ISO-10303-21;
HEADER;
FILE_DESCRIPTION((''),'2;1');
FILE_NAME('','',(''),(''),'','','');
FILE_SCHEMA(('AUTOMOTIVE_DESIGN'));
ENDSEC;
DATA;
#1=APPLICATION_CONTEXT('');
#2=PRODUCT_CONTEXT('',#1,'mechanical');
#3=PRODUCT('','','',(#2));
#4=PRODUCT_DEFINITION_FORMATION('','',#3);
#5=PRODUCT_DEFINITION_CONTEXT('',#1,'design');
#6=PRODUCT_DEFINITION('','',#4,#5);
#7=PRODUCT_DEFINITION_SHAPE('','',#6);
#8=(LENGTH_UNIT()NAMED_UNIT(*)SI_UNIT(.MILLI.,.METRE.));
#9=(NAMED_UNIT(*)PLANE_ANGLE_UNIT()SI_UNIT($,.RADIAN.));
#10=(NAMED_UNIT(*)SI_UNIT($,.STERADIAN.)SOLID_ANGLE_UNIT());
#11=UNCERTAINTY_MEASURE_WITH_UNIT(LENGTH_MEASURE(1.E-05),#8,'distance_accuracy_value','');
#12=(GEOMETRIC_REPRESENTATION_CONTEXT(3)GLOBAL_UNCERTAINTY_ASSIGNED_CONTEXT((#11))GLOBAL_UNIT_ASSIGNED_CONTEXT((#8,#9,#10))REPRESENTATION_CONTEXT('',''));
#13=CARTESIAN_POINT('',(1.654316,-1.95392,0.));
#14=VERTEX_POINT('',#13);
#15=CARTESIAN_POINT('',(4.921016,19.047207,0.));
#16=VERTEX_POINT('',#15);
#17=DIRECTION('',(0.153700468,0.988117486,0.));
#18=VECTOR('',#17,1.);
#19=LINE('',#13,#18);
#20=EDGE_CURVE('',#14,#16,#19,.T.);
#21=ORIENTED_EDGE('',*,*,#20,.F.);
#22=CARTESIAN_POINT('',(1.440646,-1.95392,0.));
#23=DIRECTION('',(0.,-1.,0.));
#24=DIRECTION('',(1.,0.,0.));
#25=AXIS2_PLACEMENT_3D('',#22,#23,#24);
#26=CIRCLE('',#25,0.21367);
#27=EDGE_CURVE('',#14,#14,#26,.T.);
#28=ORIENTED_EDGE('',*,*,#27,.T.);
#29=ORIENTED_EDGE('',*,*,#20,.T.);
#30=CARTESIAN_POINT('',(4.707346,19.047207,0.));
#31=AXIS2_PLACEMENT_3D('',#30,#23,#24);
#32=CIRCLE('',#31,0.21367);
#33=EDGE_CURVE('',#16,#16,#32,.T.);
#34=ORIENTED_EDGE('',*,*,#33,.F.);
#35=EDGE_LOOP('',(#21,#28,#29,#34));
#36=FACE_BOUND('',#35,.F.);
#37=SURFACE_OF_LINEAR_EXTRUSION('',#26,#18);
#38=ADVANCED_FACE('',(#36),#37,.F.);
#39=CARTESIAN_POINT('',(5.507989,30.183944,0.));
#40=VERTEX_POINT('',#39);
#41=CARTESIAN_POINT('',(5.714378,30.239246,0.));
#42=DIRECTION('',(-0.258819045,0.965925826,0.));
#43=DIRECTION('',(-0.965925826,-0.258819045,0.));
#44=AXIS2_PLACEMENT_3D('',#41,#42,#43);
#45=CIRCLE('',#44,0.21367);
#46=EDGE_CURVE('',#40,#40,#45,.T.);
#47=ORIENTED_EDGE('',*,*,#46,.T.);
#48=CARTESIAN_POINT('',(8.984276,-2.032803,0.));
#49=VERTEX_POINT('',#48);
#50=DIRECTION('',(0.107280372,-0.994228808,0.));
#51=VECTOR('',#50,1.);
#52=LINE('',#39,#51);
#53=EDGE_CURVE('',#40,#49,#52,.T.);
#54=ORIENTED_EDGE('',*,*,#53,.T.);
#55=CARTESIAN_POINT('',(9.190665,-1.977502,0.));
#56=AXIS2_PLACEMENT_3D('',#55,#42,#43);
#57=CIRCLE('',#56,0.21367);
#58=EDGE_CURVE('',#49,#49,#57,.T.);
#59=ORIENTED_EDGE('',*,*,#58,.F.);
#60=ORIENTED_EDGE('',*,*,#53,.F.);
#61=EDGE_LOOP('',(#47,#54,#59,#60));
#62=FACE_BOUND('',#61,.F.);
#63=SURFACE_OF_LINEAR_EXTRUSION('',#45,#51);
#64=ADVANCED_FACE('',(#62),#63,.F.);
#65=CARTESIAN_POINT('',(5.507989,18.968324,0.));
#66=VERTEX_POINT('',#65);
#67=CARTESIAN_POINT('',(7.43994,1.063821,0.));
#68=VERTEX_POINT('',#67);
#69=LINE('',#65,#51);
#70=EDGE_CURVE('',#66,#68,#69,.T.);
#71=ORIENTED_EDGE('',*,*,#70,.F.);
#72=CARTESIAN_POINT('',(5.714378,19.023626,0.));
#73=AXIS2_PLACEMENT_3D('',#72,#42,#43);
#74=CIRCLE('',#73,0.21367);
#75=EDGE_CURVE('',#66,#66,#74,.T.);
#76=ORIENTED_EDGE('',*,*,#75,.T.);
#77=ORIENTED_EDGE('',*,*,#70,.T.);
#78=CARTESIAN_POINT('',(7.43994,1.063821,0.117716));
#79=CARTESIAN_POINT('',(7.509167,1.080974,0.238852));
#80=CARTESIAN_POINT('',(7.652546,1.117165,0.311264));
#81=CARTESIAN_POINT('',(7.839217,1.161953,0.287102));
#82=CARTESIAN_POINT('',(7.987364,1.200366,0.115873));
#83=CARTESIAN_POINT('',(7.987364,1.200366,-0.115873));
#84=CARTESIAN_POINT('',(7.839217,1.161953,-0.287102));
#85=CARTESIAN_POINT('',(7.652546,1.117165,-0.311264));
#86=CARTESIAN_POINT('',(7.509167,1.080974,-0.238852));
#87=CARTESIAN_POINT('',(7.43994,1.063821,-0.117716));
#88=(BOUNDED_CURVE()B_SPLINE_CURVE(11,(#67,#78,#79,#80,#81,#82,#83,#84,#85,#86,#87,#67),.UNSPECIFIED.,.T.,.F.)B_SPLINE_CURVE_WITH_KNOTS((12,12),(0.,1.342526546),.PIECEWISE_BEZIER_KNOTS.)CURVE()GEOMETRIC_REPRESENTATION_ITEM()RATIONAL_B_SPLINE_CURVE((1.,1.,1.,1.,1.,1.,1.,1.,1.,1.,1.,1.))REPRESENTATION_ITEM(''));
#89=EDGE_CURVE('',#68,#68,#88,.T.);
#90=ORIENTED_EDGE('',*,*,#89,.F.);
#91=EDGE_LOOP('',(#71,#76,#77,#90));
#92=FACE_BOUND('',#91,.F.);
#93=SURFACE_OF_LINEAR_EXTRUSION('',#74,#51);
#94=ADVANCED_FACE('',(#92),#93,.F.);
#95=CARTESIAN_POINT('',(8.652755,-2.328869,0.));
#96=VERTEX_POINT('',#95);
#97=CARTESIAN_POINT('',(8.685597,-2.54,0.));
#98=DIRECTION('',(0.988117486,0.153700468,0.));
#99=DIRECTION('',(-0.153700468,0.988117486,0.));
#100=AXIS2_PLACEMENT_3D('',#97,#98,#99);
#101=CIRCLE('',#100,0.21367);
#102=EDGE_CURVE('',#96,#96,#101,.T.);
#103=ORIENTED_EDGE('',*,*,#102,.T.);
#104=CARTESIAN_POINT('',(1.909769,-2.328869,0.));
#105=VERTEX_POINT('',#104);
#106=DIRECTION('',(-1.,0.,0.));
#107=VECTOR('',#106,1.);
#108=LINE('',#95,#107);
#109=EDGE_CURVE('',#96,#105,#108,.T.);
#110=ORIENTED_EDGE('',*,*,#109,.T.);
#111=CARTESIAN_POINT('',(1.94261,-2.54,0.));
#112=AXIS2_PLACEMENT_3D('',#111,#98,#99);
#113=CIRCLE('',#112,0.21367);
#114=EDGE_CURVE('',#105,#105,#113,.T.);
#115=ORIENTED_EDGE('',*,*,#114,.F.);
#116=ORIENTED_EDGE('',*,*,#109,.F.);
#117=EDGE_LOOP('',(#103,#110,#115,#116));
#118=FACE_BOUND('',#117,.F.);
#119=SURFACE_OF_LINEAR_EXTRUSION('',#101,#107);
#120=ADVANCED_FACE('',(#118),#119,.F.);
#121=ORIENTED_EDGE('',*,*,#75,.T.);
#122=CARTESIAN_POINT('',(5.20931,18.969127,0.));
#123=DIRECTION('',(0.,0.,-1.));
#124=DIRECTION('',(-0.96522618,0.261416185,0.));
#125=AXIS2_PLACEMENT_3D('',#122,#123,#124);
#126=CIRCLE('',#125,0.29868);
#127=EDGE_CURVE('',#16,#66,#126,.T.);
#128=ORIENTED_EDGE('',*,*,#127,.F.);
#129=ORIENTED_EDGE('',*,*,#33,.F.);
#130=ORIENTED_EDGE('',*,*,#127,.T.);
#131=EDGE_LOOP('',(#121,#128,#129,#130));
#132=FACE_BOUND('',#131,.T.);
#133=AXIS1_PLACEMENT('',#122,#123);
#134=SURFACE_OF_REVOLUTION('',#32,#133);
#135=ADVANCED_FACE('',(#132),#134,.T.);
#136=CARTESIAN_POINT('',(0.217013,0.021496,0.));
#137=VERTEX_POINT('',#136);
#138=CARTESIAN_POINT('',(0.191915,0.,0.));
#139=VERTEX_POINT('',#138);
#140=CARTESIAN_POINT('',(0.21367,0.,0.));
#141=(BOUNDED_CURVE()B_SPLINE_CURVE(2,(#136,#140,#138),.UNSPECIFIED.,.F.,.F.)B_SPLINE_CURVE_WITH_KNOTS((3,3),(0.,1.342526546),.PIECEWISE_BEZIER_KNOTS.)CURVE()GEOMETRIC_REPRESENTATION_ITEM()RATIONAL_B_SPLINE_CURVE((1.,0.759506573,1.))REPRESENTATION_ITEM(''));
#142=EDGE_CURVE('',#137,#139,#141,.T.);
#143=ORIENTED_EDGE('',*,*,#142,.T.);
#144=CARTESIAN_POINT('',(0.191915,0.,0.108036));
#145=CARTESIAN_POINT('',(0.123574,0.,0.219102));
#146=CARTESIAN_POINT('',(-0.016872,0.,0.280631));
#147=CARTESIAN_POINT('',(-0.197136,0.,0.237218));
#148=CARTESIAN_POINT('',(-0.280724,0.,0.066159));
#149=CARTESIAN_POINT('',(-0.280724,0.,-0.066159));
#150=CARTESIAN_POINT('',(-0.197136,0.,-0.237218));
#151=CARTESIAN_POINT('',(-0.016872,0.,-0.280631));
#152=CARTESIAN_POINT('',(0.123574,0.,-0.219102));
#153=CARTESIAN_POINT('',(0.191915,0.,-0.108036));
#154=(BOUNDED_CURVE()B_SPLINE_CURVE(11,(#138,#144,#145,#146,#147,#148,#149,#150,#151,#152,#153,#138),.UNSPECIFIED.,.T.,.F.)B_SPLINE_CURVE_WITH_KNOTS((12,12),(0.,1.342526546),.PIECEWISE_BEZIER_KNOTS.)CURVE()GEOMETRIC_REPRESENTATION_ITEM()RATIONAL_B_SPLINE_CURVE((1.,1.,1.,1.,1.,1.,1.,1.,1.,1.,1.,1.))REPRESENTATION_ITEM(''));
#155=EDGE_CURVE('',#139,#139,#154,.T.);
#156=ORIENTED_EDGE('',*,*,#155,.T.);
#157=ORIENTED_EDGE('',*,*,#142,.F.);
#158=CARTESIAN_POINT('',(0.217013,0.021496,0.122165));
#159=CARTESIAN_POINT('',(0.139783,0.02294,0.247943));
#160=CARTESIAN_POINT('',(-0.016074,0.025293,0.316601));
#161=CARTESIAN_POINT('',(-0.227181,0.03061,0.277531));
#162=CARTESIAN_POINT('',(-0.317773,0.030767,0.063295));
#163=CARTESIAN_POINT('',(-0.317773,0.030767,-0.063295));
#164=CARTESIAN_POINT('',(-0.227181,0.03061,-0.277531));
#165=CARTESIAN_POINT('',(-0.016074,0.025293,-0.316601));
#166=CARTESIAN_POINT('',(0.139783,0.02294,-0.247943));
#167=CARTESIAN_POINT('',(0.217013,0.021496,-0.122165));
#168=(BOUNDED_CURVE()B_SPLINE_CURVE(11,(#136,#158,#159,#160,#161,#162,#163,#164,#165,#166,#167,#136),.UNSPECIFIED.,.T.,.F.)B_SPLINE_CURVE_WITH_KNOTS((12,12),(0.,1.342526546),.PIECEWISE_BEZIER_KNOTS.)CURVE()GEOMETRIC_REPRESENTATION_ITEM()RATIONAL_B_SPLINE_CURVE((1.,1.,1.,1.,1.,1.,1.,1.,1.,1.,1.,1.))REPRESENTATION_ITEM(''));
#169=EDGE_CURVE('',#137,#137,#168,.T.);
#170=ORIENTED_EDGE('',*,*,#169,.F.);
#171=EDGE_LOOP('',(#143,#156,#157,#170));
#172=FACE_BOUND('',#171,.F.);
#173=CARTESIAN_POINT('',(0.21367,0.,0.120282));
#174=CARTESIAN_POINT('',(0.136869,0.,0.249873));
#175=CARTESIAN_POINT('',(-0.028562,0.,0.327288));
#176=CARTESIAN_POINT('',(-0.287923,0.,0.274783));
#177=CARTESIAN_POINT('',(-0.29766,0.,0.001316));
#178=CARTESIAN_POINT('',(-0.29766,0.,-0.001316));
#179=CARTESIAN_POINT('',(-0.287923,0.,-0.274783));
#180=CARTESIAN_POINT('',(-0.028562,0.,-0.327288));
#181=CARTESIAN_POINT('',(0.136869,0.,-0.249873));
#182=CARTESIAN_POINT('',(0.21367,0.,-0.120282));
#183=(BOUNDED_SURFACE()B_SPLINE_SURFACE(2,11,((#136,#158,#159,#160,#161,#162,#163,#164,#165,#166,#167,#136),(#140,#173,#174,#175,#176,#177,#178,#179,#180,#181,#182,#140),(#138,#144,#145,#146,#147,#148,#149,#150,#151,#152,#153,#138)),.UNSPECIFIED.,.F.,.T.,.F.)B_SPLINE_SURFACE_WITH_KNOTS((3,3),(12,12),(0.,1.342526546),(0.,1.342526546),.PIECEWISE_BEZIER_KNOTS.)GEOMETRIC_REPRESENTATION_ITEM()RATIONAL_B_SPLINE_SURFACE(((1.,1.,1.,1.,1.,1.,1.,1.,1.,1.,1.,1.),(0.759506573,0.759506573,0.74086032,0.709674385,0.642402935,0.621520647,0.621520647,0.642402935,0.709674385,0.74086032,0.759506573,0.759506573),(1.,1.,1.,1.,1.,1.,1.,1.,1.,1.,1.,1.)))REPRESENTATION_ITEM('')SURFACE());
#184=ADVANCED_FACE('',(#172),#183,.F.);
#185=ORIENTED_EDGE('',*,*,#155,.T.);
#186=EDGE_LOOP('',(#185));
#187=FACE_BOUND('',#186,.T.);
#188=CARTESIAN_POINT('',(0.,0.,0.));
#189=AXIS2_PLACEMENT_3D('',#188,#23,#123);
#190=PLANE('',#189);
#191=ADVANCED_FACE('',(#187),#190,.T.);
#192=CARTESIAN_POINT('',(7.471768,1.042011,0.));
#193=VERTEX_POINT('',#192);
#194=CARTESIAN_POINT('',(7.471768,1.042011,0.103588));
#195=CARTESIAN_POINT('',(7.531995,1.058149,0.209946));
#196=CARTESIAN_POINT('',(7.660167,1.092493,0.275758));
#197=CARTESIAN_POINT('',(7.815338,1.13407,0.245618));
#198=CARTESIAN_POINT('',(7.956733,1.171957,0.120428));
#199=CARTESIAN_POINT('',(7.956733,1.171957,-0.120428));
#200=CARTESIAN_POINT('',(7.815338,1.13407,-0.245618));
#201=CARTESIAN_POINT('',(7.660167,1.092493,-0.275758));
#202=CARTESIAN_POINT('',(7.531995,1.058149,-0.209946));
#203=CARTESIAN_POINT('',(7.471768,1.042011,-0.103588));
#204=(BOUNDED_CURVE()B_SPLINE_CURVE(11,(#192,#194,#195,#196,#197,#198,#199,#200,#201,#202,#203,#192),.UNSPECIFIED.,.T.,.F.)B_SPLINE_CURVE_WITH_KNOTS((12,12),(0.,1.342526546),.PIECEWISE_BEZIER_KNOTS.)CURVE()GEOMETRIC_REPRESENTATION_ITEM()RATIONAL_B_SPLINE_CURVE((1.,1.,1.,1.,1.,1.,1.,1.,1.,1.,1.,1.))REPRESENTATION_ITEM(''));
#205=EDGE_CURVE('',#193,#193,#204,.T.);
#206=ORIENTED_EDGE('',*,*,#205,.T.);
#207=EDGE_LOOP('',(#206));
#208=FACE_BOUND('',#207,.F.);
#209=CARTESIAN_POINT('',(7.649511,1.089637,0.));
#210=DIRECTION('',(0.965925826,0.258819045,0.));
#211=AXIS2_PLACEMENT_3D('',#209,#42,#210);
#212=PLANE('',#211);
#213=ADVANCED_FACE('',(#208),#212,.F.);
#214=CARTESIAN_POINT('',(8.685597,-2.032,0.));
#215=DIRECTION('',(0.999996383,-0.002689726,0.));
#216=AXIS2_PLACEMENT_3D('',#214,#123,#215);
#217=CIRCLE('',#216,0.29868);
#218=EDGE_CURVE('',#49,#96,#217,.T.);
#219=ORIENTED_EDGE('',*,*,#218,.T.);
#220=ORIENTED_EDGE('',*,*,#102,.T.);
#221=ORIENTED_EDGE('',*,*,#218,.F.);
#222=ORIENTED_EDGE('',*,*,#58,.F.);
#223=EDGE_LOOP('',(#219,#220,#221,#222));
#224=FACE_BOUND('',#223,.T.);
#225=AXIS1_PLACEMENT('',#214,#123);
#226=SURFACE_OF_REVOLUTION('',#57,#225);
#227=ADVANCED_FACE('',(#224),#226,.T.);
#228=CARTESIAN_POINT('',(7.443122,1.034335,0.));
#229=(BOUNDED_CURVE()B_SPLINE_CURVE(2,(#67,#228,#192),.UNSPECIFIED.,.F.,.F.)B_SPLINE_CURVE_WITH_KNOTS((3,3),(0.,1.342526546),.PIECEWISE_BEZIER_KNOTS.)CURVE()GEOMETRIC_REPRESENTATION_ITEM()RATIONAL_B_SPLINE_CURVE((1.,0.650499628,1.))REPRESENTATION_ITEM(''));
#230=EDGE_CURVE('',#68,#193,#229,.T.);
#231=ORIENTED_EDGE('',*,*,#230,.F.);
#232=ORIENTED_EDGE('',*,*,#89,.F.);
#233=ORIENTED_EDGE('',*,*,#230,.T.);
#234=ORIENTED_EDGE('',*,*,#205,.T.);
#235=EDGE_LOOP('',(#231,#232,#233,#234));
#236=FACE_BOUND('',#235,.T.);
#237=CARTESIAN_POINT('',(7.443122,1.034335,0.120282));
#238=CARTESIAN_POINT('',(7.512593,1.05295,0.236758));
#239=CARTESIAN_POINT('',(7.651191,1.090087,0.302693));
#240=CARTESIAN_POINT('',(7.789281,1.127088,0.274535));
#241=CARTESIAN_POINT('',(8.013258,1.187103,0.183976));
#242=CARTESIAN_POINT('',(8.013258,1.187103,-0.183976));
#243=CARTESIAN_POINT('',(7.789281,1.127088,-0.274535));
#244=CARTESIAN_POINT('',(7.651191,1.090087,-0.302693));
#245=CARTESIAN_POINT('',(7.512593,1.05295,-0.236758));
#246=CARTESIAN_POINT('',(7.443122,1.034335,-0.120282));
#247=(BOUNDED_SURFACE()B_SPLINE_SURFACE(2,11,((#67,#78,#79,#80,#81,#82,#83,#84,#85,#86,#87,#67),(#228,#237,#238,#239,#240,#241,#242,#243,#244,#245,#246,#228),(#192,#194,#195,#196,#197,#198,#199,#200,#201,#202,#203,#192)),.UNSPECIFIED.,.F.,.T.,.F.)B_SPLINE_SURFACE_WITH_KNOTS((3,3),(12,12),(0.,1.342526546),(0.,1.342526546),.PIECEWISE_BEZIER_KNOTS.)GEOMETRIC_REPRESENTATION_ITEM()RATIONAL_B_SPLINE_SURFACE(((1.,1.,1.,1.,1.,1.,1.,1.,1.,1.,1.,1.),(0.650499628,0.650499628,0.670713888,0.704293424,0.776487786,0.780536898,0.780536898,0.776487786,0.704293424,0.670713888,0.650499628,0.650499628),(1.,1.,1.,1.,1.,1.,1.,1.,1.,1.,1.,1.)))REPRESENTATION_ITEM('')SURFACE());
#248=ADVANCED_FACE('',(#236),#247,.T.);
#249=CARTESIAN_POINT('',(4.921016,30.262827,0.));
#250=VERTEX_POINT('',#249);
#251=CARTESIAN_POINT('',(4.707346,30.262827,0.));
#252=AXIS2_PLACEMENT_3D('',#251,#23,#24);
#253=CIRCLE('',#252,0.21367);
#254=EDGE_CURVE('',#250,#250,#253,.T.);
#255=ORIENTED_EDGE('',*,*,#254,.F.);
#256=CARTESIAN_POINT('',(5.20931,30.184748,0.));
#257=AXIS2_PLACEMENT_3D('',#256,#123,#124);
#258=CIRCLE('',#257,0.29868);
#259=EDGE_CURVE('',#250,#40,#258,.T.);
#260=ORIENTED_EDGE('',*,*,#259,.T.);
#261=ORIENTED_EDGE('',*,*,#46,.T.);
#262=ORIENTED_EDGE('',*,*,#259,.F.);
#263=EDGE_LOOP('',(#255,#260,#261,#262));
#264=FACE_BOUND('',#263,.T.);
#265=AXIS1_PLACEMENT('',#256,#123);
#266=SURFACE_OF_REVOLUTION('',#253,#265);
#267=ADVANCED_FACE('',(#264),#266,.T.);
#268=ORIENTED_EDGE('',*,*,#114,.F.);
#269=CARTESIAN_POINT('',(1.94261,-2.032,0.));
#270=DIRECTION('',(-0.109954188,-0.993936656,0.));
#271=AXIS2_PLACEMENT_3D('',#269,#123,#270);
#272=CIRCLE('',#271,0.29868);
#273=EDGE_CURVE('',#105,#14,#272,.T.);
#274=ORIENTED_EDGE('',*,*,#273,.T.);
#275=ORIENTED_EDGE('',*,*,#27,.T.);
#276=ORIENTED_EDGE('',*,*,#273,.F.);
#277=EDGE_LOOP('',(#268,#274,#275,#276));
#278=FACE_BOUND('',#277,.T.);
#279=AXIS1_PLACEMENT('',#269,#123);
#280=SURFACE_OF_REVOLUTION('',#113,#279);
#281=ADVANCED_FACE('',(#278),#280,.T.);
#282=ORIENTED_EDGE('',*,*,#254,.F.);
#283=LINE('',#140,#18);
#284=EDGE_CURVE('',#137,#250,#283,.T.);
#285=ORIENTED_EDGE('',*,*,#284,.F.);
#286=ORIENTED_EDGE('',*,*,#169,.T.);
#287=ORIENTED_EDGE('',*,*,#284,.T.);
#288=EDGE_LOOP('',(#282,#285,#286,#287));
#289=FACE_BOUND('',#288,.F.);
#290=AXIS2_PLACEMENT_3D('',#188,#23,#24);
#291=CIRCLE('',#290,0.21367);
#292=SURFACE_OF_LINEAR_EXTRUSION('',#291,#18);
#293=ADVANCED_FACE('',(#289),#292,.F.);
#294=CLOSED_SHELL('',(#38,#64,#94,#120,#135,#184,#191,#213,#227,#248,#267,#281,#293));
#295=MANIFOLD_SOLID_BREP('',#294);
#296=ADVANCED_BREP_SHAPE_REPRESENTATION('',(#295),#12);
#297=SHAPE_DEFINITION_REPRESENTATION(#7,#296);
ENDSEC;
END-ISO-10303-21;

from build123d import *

# Parameters (mm, degrees)
F1_R = 0.2136697361
F3_R = 0.0254


with BuildPart() as f2:
    # F2: sweep along a path in F0
    with BuildLine(Plane.XY) as f2_path:
        Line((0, 0), (4.7073458641, 30.2628274731))
        ThreePointArc((4.7073458641, 30.2628274731), (5.2212019929, 30.692608413), (5.7143777811, 30.2392460641))
        Line((5.7143777811, 30.2392460641), (9.1906647773, -1.977501571))
        ThreePointArc((9.1906647773, -1.977501571), (9.0635841103, -2.3713956379), (8.6855965431, -2.54))
        Line((8.6855965431, -2.54), (1.9426098128, -2.54))
        ThreePointArc((1.9426098128, -2.54), (1.5567804738, -2.3624538109), (1.44064613, -1.953920162))
        Line((1.44064613, -1.953920162), (4.7073458641, 19.0472072916))
        ThreePointArc((4.7073458641, 19.0472072916), (5.2212019929, 19.4769882315), (5.7143777811, 19.0236258826))
        Line((5.7143777811, 19.0236258826), (7.6495107969, 1.0896370958))
    # F1 (on Front) → F2 (sweep)
    with BuildSketch(Plane.XZ):
        Circle(F1_R)
    sweep(path=f2_path.line)

    # F3
    f3_edges = [f2.edges().sort_by_distance(p)[0] for p in [
        (-0.21367, 0, 0),
        (7.8559, 1.144939, 0),
    ]]
    fillet(f3_edges, radius=F3_R)


solid = f2.part
